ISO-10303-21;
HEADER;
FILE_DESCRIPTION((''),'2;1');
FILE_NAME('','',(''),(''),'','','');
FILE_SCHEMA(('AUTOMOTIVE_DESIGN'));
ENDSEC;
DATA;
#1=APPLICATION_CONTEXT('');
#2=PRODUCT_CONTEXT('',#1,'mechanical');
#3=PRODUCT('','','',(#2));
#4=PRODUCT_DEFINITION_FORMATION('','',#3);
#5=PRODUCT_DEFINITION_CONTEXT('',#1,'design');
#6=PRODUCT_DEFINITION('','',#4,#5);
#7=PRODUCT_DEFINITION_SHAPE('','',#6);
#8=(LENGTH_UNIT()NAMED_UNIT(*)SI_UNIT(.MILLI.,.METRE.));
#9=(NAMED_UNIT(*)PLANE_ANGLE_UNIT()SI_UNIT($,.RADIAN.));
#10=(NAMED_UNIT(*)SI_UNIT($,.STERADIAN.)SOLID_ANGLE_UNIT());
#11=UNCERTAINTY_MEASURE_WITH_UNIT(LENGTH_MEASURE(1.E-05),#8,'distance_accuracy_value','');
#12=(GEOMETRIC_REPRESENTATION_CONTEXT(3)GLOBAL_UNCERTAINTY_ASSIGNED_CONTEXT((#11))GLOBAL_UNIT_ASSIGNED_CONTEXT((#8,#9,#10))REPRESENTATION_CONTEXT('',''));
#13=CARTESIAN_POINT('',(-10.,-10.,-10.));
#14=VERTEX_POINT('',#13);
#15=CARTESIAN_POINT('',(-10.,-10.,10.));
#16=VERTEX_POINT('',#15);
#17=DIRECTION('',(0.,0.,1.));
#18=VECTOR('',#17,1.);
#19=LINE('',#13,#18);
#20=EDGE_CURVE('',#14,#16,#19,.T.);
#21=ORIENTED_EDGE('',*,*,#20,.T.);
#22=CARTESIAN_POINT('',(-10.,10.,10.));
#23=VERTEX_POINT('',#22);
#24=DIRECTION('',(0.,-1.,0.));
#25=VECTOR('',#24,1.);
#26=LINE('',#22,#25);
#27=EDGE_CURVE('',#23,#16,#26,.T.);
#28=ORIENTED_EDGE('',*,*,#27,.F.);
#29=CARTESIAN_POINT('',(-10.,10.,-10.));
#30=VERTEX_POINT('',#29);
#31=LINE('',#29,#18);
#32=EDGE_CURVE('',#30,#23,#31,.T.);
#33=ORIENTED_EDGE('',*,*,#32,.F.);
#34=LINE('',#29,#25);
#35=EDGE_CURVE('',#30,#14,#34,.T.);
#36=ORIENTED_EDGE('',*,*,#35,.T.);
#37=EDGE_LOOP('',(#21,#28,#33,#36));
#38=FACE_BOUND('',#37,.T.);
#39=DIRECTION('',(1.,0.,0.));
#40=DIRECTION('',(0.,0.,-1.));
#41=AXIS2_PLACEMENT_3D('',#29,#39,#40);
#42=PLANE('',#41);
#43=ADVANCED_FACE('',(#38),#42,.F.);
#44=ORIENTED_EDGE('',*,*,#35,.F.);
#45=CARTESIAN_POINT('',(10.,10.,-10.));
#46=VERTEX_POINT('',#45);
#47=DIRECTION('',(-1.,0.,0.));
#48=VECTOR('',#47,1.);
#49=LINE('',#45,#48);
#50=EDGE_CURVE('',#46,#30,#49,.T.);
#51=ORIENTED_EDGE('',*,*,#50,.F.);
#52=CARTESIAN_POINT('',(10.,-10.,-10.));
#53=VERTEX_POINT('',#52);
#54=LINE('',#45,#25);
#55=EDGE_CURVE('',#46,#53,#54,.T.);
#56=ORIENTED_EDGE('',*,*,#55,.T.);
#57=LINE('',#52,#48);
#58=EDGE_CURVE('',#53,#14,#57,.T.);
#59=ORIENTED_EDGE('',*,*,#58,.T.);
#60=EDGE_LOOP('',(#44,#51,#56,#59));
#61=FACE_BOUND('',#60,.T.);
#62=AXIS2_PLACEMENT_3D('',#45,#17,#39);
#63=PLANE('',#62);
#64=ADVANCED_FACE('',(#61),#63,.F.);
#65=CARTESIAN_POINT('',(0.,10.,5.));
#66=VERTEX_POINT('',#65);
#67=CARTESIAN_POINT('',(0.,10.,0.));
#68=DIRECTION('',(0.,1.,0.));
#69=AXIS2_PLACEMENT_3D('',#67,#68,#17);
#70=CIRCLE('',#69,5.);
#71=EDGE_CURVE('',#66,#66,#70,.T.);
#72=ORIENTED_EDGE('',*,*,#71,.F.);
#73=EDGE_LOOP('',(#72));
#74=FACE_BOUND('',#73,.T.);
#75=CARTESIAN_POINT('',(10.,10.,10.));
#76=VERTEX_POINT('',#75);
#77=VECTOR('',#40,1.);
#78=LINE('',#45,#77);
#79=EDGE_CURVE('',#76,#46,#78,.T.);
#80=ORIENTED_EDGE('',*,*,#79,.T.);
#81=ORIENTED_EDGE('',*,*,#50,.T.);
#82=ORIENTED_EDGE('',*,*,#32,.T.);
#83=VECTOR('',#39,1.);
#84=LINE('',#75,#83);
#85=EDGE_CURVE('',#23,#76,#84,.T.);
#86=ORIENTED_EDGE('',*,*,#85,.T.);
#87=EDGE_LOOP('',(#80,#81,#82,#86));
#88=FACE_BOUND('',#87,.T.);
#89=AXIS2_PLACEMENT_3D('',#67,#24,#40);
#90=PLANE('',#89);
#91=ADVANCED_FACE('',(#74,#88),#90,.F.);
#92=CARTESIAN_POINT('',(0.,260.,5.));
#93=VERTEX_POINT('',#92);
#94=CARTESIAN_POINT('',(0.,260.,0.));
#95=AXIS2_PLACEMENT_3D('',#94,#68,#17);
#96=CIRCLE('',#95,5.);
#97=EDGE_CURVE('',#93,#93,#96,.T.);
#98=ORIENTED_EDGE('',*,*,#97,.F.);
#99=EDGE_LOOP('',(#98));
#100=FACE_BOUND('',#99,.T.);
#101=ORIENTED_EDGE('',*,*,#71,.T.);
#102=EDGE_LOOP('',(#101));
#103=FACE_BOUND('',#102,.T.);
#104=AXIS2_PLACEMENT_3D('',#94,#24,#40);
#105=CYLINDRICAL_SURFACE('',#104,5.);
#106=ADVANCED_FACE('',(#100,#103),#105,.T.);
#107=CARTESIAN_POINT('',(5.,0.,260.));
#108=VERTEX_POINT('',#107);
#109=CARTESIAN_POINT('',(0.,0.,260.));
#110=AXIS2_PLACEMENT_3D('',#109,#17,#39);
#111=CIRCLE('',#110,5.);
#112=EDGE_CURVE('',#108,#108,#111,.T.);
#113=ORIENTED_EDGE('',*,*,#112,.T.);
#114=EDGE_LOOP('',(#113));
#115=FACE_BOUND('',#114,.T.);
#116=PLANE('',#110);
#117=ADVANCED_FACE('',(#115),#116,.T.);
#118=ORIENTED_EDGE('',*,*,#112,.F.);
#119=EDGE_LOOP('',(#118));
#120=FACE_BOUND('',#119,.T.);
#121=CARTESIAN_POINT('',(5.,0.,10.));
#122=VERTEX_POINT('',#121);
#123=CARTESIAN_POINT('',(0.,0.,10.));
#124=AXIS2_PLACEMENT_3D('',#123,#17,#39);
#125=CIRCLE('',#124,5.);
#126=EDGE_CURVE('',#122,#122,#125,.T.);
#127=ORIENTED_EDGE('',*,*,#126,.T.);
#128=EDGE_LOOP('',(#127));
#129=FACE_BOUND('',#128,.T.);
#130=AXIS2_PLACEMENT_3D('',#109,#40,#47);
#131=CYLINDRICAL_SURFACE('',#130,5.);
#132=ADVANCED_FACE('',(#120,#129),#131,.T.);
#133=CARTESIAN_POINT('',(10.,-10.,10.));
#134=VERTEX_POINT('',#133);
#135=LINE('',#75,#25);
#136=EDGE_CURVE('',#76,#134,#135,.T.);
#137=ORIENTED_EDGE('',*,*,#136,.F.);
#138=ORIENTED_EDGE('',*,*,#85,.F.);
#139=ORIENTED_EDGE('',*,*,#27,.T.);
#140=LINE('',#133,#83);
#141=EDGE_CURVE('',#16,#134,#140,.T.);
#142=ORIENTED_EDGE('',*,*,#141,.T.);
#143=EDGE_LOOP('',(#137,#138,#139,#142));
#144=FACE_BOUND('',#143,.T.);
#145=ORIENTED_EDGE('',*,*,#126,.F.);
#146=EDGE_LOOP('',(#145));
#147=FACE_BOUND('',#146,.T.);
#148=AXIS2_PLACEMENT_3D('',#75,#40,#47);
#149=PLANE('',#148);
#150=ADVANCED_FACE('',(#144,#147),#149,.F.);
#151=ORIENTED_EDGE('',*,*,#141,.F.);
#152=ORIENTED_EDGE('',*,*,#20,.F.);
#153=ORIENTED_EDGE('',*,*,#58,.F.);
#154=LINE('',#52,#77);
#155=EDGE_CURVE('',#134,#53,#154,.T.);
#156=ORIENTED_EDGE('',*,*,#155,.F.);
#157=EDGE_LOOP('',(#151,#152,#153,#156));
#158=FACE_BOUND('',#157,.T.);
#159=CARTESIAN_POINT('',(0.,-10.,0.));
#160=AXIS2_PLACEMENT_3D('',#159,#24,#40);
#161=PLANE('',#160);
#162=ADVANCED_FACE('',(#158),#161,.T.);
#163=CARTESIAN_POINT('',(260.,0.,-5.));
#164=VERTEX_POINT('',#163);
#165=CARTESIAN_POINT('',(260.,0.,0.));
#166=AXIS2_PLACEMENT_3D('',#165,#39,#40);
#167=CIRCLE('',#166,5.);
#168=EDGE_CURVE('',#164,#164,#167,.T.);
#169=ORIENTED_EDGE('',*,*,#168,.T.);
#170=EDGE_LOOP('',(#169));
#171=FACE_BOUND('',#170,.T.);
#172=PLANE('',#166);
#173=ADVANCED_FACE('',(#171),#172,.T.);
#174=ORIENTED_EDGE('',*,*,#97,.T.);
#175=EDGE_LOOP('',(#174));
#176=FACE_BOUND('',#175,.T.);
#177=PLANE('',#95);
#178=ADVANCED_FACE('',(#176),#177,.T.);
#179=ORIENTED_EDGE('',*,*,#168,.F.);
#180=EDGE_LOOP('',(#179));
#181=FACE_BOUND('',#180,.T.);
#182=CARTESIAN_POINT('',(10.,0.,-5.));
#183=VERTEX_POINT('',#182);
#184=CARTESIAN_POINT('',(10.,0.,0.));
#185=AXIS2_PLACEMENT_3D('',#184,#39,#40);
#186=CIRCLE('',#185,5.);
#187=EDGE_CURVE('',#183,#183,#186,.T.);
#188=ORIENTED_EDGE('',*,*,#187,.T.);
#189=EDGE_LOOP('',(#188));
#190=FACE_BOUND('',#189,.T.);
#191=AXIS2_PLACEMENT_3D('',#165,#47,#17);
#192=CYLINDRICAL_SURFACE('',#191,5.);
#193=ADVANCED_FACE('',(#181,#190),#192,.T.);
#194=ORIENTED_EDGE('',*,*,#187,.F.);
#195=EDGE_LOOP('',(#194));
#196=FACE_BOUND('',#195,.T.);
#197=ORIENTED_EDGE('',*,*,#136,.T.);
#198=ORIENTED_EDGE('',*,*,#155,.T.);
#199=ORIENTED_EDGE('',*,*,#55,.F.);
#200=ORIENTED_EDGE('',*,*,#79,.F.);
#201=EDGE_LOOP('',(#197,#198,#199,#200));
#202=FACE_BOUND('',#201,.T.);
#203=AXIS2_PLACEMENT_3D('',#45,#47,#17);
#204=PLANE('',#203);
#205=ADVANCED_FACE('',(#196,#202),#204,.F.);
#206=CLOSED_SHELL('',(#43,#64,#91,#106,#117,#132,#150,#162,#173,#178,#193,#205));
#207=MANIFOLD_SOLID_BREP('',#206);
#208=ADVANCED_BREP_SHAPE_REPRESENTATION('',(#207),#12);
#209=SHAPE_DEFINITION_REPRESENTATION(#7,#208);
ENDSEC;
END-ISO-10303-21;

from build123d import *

# Parameters (mm, degrees)
SKETCH1_W           = 20
SKETCH1_H           = 20
BOSS_EXTRUDE1_DEPTH = 10
SKETCH2_R           = 5
BOSS_EXTRUDE2_DEPTH = 250
SKETCH3_R           = 5
BOSS_EXTRUDE3_DEPTH = 250
SKETCH4_R           = 5
BOSS_EXTRUDE4_DEPTH = 250


with BuildPart() as part:
    # Sketch1 → Boss-Extrude1 (new, symmetric)
    with BuildSketch(Plane(origin=(0, 0, 0), x_dir=(1, 0, 0), z_dir=(0, 1, 0))):
        Rectangle(SKETCH1_W, SKETCH1_H)
    extrude(amount=BOSS_EXTRUDE1_DEPTH, both=True)

    # Sketch2 → Boss-Extrude2 (add)
    with BuildSketch(Plane(origin=(10, 0, 0), x_dir=(0, 0, -1), z_dir=(1, 0, 0))):
        Circle(SKETCH2_R)
    extrude(amount=BOSS_EXTRUDE2_DEPTH)

    # Sketch3 → Boss-Extrude3 (add)
    with BuildSketch(Plane.XY.offset(10)):
        Circle(SKETCH3_R)
    extrude(amount=BOSS_EXTRUDE3_DEPTH)

    # Sketch4 → Boss-Extrude4 (add)
    with BuildSketch(Plane(origin=(0, 10, 0), x_dir=(1, 0, 0), z_dir=(0, 1, 0))):
        with Locations(Location((0, 0, 0), (0, 0, 270))):
            Circle(SKETCH4_R)
    extrude(amount=BOSS_EXTRUDE4_DEPTH)


solid = part.part
